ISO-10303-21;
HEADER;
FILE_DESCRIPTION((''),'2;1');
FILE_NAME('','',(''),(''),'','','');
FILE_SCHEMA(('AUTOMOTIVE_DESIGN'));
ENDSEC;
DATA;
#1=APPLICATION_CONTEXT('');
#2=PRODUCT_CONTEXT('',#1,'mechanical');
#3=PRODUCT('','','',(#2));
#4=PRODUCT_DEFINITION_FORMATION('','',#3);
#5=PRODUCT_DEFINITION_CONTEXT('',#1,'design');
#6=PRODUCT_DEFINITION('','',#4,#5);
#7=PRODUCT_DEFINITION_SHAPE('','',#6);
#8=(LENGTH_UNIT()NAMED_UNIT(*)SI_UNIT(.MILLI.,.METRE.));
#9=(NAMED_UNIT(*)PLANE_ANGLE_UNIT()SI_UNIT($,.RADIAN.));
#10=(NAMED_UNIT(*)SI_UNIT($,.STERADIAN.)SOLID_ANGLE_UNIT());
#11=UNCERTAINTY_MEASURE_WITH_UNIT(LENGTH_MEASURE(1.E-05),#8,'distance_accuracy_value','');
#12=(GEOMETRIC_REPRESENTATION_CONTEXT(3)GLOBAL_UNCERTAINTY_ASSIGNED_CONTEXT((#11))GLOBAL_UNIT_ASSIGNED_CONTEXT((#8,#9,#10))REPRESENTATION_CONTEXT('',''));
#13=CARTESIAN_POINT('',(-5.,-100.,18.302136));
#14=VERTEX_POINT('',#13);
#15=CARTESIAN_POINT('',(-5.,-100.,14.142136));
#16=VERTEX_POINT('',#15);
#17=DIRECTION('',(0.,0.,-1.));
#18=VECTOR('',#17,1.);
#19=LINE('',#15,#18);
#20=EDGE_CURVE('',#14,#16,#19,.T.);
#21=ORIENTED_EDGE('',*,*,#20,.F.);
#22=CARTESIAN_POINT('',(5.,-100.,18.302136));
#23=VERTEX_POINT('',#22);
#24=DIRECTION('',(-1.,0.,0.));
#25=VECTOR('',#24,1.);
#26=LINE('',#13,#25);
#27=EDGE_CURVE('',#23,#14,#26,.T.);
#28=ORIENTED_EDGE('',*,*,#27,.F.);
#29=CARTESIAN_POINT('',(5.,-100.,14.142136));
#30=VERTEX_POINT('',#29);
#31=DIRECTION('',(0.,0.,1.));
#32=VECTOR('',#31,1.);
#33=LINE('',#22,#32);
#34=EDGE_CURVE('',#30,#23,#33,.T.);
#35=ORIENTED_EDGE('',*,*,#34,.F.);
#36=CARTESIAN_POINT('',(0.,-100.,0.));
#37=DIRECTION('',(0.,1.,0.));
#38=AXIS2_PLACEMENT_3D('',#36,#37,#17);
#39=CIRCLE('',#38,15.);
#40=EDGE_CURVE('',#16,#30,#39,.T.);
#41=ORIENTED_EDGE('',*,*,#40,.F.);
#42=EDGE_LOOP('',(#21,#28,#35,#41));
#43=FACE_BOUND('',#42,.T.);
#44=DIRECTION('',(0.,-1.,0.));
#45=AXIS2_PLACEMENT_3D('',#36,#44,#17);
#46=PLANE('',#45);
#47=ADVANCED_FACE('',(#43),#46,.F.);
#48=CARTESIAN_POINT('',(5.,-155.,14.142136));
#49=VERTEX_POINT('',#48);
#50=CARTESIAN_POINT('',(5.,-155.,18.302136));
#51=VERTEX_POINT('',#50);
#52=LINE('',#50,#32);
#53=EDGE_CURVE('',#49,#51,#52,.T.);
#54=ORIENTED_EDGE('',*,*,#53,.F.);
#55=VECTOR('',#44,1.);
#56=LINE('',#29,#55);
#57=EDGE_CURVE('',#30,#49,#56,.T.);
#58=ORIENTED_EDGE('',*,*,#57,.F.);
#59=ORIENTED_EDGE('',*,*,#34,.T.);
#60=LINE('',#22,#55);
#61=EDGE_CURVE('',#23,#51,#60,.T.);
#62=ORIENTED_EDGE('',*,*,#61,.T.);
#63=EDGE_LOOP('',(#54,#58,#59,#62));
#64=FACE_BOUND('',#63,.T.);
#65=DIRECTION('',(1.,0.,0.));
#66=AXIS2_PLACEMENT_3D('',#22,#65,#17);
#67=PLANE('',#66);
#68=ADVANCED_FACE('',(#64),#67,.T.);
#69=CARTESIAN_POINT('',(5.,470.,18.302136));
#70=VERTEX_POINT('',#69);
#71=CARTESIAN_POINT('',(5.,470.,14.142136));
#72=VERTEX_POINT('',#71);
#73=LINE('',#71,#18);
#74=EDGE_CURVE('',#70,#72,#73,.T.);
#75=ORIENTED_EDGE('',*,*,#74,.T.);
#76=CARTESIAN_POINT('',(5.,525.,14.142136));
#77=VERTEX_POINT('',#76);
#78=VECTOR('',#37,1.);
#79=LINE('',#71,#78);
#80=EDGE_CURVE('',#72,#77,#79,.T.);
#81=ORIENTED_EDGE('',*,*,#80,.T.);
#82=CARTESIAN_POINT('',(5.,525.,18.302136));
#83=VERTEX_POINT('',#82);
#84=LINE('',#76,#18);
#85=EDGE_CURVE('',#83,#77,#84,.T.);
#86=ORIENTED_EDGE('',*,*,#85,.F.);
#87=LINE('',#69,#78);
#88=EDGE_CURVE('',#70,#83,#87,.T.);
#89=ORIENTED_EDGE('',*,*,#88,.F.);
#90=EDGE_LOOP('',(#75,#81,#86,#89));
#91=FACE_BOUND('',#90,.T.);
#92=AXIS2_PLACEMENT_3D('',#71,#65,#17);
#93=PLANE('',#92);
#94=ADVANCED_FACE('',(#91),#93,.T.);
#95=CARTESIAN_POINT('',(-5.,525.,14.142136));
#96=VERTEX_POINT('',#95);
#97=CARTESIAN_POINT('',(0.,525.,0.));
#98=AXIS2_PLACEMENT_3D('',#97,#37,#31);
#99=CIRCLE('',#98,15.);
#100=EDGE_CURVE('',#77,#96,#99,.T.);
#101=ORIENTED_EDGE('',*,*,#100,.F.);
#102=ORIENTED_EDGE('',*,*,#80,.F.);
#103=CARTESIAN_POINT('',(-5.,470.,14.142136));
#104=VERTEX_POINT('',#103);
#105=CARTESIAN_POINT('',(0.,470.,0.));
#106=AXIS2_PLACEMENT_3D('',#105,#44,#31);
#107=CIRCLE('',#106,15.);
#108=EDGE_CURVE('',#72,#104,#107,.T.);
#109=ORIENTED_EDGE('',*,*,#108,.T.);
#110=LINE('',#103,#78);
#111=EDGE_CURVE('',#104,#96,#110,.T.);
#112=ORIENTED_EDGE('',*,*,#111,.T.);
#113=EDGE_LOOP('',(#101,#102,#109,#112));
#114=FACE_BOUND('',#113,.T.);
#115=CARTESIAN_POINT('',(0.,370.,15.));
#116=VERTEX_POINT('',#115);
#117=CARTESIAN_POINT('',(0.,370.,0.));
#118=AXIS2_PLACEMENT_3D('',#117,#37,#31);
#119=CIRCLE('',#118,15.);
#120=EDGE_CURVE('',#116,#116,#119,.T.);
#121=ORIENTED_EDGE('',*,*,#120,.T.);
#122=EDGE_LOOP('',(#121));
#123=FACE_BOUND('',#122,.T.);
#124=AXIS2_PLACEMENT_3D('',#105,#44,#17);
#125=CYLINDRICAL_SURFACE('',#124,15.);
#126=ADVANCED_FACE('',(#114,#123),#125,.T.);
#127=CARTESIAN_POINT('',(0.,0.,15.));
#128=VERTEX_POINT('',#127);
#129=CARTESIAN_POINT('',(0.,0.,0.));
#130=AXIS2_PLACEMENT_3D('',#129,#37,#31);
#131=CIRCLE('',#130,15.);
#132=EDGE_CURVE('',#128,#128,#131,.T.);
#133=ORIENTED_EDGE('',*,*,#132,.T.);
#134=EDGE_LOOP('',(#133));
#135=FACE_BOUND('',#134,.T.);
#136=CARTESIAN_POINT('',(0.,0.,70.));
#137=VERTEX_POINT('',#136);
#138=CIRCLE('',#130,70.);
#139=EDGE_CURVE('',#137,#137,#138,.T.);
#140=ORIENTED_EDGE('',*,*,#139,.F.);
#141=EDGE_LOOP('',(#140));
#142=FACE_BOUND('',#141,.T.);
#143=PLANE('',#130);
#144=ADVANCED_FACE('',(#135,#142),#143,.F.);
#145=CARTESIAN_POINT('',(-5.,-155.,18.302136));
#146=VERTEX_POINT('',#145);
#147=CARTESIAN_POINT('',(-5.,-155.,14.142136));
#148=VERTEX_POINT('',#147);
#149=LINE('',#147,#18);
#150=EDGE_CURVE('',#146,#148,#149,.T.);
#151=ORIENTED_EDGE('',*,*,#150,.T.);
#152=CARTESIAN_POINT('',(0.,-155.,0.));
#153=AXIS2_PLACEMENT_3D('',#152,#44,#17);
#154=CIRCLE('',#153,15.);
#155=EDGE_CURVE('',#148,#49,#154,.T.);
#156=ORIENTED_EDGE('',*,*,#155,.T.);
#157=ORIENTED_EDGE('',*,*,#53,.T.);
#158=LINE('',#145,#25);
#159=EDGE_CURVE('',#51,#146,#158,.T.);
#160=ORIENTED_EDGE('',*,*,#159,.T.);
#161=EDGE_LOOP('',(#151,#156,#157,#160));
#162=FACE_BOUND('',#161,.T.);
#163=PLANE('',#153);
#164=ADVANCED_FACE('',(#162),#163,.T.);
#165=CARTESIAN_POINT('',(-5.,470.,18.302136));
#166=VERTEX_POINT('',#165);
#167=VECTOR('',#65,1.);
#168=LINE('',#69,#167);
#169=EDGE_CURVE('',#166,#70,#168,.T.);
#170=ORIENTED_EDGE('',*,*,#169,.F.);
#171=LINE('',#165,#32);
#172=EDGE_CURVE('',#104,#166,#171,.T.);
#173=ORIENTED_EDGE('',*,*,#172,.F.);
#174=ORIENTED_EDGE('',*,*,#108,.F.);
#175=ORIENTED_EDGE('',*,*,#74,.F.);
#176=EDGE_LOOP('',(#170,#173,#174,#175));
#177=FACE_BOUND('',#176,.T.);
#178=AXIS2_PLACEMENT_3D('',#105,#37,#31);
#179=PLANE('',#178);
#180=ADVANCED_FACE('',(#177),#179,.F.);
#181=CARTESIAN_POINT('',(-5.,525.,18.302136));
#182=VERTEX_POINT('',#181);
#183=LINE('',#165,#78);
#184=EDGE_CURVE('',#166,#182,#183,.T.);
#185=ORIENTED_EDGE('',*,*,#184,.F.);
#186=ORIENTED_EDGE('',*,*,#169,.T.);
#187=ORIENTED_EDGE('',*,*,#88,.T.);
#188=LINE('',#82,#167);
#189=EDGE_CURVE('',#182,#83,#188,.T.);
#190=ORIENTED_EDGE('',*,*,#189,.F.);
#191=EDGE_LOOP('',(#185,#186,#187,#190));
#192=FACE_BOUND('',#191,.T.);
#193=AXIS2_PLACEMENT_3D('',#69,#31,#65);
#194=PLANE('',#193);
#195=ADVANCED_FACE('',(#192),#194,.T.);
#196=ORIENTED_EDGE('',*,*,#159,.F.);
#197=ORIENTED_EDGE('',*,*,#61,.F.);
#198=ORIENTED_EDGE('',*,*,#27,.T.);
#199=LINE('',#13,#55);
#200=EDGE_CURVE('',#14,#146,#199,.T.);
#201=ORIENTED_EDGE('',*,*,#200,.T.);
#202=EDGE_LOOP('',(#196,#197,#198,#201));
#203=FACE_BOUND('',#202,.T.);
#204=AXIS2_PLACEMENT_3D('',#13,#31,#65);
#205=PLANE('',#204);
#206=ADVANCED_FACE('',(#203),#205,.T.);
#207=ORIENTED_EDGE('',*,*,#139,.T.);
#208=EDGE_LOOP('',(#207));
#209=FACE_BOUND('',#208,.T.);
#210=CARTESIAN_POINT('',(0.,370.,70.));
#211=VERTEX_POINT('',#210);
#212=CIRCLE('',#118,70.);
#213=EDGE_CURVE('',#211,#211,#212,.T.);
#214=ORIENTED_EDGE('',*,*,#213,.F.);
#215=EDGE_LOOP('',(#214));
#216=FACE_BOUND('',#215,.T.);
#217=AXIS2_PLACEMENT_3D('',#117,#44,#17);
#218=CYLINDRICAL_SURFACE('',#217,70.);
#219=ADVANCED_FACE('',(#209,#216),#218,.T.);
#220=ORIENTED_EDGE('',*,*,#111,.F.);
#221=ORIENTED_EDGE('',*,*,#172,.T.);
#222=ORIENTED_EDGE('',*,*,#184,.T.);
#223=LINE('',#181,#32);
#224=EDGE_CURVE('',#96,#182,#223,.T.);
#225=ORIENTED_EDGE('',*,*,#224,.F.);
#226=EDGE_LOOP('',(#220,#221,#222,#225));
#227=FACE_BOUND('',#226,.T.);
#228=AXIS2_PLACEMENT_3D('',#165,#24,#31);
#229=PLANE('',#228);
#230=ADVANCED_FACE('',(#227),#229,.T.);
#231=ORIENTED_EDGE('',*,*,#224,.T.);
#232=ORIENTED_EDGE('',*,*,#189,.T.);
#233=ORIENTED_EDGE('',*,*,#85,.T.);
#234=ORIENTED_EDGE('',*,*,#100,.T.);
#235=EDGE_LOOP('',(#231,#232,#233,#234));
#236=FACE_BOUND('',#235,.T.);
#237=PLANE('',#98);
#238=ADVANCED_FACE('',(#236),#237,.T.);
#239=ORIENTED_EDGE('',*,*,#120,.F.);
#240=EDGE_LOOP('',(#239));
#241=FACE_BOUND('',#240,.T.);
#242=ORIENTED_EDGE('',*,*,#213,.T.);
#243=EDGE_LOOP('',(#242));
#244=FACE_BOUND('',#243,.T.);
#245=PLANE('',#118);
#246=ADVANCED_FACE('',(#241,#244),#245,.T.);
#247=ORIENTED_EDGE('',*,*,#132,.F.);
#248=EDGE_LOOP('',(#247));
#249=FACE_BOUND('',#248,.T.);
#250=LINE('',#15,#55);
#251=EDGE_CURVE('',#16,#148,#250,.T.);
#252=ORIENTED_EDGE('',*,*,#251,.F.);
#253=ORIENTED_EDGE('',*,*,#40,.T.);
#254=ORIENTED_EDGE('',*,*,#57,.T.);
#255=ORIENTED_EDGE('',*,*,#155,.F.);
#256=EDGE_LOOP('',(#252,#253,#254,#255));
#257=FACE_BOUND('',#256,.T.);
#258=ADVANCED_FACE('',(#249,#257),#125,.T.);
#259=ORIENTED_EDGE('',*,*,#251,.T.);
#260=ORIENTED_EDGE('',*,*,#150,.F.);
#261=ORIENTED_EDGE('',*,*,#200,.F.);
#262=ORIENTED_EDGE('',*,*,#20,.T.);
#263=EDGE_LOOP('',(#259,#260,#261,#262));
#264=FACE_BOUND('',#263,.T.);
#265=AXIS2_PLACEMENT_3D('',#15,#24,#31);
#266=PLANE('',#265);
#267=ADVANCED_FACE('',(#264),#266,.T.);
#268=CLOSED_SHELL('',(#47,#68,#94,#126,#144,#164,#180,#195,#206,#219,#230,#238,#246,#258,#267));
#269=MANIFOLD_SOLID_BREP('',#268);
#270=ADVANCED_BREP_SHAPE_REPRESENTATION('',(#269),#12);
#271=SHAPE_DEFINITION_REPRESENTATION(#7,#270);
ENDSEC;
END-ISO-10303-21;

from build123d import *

# Parameters (mm, degrees)
SKETCH1_R            = 70
BOSS_EXTRUDE1_DEPTH  = 370
SKETCH2_R            = 10
BOSS_EXTRUDE2_DEPTH  = 100
BOSS_EXTRUDE3_START  = 100
SKETCH3_R            = 10
BOSS_EXTRUDE3_DEPTH  = 100
BOSS_EXTRUDE4_START  = -25
BOSS_EXTRUDE4_DEPTH  = 25
BOSS_EXTRUDE5_DEPTH  = 25
SKETCH6_R            = 15
BOSS_EXTRUDE6_DEPTH  = 570
BOSS_EXTRUDE7_START  = 55
SKETCH7_R            = 15
BOSS_EXTRUDE7_DEPTH  = 55
SKETCH8_R            = 15
BOSS_EXTRUDE8_DEPTH  = 55
BOSS_EXTRUDE9_DEPTH  = 55
BOSS_EXTRUDE10_START = -55
BOSS_EXTRUDE10_DEPTH = 55


with BuildPart() as part:
    # Sketch1 → Boss-Extrude1 (new body)
    with BuildSketch(Plane(origin=(0, 0, 0), x_dir=(1, 0, 0), z_dir=(0, 1, 0))):
        with Locations(Location((0, 0, 0), (0, 0, 270))):
            Circle(SKETCH1_R)
    extrude(amount=BOSS_EXTRUDE1_DEPTH)

    # Sketch2 → Boss-Extrude2 (add)
    with BuildSketch(Plane(origin=(0, 370, 0), x_dir=(1, 0, 0), z_dir=(0, 1, 0))):
        with Locations(Location((0, 0, 0), (0, 0, 270))):
            Circle(SKETCH2_R)
    extrude(amount=BOSS_EXTRUDE2_DEPTH)

    # Sketch3 → Boss-Extrude3 (add)
    with BuildSketch(Plane.XZ.offset(BOSS_EXTRUDE3_START)):
        with Locations(Location((0, 0, 0), (0, 0, 90))):
            Circle(SKETCH3_R)
    extrude(amount=-BOSS_EXTRUDE3_DEPTH)

    # Sketch4 → Boss-Extrude4 (add)
    with BuildSketch(Plane(origin=(0, 470, 0), x_dir=(1, 0, 0), z_dir=(0, 1, 0)).offset(BOSS_EXTRUDE4_START)):
        with BuildLine():
            Line((-5, 8.660254038), (-5, 12.820254038))
            Line((-5, 12.820254038), (5, 12.820254038))
            Line((5, 12.820254038), (5, 8.660254038))
            ThreePointArc((5, 8.660254038), (0, 10), (-5, 8.660254038))
        make_face()
    extrude(amount=BOSS_EXTRUDE4_DEPTH)

    # Sketch5 → Boss-Extrude5 (add)
    with BuildSketch(Plane.XZ.offset(100)):
        with BuildLine():
            Line((-5, 8.660254038), (-5, 12.820254038))
            Line((-5, 12.820254038), (5, 12.820254038))
            Line((5, 12.820254038), (5, 8.660254038))
            ThreePointArc((5, 8.660254038), (0, 10), (-5, 8.660254038))
        make_face()
    extrude(amount=-BOSS_EXTRUDE5_DEPTH)

    # Sketch6 → Boss-Extrude6 (add)
    with BuildSketch(Plane.XZ.offset(100)):
        with Locations(Location((0, 0, 0), (0, 0, 270))):
            Circle(SKETCH6_R)
    extrude(amount=-BOSS_EXTRUDE6_DEPTH)

    # Sketch7 → Boss-Extrude7 (add)
    with BuildSketch(Plane.XZ.offset(100).offset(BOSS_EXTRUDE7_START)):
        with Locations(Location((0, 0, 0), (0, 0, 270))):
            Circle(SKETCH7_R)
    extrude(amount=-BOSS_EXTRUDE7_DEPTH)

    # Sketch8 → Boss-Extrude8 (add)
    with BuildSketch(Plane(origin=(0, 470, 0), x_dir=(1, 0, 0), z_dir=(0, 1, 0))):
        with Locations(Location((0, 0, 0), (0, 0, 90))):
            Circle(SKETCH8_R)
    extrude(amount=BOSS_EXTRUDE8_DEPTH)

    # Sketch9 → Boss-Extrude9 (add)
    with BuildSketch(Plane.XZ.offset(155)):
        with BuildLine():
            Line((-5, 14.142135624), (-5, 18.302135624))
            Line((-5, 18.302135624), (5, 18.302135624))
            Line((5, 18.302135624), (5, 14.142135624))
            ThreePointArc((5, 14.142135624), (0, 15), (-5, 14.142135624))
        make_face()
    extrude(amount=-BOSS_EXTRUDE9_DEPTH)

    # Sketch10 → Boss-Extrude10 (add)
    with BuildSketch(Plane(origin=(0, 525, 0), x_dir=(1, 0, 0), z_dir=(0, 1, 0)).offset(BOSS_EXTRUDE10_START)):
        with BuildLine():
            Line((5, -14.142135624), (5, -18.302135624))
            Line((5, -18.302135624), (-5, -18.302135624))
            Line((-5, -18.302135624), (-5, -14.142135624))
            ThreePointArc((-5, -14.142135624), (0, -15), (5, -14.142135624))
        make_face()
    extrude(amount=BOSS_EXTRUDE10_DEPTH)


solid = part.part
